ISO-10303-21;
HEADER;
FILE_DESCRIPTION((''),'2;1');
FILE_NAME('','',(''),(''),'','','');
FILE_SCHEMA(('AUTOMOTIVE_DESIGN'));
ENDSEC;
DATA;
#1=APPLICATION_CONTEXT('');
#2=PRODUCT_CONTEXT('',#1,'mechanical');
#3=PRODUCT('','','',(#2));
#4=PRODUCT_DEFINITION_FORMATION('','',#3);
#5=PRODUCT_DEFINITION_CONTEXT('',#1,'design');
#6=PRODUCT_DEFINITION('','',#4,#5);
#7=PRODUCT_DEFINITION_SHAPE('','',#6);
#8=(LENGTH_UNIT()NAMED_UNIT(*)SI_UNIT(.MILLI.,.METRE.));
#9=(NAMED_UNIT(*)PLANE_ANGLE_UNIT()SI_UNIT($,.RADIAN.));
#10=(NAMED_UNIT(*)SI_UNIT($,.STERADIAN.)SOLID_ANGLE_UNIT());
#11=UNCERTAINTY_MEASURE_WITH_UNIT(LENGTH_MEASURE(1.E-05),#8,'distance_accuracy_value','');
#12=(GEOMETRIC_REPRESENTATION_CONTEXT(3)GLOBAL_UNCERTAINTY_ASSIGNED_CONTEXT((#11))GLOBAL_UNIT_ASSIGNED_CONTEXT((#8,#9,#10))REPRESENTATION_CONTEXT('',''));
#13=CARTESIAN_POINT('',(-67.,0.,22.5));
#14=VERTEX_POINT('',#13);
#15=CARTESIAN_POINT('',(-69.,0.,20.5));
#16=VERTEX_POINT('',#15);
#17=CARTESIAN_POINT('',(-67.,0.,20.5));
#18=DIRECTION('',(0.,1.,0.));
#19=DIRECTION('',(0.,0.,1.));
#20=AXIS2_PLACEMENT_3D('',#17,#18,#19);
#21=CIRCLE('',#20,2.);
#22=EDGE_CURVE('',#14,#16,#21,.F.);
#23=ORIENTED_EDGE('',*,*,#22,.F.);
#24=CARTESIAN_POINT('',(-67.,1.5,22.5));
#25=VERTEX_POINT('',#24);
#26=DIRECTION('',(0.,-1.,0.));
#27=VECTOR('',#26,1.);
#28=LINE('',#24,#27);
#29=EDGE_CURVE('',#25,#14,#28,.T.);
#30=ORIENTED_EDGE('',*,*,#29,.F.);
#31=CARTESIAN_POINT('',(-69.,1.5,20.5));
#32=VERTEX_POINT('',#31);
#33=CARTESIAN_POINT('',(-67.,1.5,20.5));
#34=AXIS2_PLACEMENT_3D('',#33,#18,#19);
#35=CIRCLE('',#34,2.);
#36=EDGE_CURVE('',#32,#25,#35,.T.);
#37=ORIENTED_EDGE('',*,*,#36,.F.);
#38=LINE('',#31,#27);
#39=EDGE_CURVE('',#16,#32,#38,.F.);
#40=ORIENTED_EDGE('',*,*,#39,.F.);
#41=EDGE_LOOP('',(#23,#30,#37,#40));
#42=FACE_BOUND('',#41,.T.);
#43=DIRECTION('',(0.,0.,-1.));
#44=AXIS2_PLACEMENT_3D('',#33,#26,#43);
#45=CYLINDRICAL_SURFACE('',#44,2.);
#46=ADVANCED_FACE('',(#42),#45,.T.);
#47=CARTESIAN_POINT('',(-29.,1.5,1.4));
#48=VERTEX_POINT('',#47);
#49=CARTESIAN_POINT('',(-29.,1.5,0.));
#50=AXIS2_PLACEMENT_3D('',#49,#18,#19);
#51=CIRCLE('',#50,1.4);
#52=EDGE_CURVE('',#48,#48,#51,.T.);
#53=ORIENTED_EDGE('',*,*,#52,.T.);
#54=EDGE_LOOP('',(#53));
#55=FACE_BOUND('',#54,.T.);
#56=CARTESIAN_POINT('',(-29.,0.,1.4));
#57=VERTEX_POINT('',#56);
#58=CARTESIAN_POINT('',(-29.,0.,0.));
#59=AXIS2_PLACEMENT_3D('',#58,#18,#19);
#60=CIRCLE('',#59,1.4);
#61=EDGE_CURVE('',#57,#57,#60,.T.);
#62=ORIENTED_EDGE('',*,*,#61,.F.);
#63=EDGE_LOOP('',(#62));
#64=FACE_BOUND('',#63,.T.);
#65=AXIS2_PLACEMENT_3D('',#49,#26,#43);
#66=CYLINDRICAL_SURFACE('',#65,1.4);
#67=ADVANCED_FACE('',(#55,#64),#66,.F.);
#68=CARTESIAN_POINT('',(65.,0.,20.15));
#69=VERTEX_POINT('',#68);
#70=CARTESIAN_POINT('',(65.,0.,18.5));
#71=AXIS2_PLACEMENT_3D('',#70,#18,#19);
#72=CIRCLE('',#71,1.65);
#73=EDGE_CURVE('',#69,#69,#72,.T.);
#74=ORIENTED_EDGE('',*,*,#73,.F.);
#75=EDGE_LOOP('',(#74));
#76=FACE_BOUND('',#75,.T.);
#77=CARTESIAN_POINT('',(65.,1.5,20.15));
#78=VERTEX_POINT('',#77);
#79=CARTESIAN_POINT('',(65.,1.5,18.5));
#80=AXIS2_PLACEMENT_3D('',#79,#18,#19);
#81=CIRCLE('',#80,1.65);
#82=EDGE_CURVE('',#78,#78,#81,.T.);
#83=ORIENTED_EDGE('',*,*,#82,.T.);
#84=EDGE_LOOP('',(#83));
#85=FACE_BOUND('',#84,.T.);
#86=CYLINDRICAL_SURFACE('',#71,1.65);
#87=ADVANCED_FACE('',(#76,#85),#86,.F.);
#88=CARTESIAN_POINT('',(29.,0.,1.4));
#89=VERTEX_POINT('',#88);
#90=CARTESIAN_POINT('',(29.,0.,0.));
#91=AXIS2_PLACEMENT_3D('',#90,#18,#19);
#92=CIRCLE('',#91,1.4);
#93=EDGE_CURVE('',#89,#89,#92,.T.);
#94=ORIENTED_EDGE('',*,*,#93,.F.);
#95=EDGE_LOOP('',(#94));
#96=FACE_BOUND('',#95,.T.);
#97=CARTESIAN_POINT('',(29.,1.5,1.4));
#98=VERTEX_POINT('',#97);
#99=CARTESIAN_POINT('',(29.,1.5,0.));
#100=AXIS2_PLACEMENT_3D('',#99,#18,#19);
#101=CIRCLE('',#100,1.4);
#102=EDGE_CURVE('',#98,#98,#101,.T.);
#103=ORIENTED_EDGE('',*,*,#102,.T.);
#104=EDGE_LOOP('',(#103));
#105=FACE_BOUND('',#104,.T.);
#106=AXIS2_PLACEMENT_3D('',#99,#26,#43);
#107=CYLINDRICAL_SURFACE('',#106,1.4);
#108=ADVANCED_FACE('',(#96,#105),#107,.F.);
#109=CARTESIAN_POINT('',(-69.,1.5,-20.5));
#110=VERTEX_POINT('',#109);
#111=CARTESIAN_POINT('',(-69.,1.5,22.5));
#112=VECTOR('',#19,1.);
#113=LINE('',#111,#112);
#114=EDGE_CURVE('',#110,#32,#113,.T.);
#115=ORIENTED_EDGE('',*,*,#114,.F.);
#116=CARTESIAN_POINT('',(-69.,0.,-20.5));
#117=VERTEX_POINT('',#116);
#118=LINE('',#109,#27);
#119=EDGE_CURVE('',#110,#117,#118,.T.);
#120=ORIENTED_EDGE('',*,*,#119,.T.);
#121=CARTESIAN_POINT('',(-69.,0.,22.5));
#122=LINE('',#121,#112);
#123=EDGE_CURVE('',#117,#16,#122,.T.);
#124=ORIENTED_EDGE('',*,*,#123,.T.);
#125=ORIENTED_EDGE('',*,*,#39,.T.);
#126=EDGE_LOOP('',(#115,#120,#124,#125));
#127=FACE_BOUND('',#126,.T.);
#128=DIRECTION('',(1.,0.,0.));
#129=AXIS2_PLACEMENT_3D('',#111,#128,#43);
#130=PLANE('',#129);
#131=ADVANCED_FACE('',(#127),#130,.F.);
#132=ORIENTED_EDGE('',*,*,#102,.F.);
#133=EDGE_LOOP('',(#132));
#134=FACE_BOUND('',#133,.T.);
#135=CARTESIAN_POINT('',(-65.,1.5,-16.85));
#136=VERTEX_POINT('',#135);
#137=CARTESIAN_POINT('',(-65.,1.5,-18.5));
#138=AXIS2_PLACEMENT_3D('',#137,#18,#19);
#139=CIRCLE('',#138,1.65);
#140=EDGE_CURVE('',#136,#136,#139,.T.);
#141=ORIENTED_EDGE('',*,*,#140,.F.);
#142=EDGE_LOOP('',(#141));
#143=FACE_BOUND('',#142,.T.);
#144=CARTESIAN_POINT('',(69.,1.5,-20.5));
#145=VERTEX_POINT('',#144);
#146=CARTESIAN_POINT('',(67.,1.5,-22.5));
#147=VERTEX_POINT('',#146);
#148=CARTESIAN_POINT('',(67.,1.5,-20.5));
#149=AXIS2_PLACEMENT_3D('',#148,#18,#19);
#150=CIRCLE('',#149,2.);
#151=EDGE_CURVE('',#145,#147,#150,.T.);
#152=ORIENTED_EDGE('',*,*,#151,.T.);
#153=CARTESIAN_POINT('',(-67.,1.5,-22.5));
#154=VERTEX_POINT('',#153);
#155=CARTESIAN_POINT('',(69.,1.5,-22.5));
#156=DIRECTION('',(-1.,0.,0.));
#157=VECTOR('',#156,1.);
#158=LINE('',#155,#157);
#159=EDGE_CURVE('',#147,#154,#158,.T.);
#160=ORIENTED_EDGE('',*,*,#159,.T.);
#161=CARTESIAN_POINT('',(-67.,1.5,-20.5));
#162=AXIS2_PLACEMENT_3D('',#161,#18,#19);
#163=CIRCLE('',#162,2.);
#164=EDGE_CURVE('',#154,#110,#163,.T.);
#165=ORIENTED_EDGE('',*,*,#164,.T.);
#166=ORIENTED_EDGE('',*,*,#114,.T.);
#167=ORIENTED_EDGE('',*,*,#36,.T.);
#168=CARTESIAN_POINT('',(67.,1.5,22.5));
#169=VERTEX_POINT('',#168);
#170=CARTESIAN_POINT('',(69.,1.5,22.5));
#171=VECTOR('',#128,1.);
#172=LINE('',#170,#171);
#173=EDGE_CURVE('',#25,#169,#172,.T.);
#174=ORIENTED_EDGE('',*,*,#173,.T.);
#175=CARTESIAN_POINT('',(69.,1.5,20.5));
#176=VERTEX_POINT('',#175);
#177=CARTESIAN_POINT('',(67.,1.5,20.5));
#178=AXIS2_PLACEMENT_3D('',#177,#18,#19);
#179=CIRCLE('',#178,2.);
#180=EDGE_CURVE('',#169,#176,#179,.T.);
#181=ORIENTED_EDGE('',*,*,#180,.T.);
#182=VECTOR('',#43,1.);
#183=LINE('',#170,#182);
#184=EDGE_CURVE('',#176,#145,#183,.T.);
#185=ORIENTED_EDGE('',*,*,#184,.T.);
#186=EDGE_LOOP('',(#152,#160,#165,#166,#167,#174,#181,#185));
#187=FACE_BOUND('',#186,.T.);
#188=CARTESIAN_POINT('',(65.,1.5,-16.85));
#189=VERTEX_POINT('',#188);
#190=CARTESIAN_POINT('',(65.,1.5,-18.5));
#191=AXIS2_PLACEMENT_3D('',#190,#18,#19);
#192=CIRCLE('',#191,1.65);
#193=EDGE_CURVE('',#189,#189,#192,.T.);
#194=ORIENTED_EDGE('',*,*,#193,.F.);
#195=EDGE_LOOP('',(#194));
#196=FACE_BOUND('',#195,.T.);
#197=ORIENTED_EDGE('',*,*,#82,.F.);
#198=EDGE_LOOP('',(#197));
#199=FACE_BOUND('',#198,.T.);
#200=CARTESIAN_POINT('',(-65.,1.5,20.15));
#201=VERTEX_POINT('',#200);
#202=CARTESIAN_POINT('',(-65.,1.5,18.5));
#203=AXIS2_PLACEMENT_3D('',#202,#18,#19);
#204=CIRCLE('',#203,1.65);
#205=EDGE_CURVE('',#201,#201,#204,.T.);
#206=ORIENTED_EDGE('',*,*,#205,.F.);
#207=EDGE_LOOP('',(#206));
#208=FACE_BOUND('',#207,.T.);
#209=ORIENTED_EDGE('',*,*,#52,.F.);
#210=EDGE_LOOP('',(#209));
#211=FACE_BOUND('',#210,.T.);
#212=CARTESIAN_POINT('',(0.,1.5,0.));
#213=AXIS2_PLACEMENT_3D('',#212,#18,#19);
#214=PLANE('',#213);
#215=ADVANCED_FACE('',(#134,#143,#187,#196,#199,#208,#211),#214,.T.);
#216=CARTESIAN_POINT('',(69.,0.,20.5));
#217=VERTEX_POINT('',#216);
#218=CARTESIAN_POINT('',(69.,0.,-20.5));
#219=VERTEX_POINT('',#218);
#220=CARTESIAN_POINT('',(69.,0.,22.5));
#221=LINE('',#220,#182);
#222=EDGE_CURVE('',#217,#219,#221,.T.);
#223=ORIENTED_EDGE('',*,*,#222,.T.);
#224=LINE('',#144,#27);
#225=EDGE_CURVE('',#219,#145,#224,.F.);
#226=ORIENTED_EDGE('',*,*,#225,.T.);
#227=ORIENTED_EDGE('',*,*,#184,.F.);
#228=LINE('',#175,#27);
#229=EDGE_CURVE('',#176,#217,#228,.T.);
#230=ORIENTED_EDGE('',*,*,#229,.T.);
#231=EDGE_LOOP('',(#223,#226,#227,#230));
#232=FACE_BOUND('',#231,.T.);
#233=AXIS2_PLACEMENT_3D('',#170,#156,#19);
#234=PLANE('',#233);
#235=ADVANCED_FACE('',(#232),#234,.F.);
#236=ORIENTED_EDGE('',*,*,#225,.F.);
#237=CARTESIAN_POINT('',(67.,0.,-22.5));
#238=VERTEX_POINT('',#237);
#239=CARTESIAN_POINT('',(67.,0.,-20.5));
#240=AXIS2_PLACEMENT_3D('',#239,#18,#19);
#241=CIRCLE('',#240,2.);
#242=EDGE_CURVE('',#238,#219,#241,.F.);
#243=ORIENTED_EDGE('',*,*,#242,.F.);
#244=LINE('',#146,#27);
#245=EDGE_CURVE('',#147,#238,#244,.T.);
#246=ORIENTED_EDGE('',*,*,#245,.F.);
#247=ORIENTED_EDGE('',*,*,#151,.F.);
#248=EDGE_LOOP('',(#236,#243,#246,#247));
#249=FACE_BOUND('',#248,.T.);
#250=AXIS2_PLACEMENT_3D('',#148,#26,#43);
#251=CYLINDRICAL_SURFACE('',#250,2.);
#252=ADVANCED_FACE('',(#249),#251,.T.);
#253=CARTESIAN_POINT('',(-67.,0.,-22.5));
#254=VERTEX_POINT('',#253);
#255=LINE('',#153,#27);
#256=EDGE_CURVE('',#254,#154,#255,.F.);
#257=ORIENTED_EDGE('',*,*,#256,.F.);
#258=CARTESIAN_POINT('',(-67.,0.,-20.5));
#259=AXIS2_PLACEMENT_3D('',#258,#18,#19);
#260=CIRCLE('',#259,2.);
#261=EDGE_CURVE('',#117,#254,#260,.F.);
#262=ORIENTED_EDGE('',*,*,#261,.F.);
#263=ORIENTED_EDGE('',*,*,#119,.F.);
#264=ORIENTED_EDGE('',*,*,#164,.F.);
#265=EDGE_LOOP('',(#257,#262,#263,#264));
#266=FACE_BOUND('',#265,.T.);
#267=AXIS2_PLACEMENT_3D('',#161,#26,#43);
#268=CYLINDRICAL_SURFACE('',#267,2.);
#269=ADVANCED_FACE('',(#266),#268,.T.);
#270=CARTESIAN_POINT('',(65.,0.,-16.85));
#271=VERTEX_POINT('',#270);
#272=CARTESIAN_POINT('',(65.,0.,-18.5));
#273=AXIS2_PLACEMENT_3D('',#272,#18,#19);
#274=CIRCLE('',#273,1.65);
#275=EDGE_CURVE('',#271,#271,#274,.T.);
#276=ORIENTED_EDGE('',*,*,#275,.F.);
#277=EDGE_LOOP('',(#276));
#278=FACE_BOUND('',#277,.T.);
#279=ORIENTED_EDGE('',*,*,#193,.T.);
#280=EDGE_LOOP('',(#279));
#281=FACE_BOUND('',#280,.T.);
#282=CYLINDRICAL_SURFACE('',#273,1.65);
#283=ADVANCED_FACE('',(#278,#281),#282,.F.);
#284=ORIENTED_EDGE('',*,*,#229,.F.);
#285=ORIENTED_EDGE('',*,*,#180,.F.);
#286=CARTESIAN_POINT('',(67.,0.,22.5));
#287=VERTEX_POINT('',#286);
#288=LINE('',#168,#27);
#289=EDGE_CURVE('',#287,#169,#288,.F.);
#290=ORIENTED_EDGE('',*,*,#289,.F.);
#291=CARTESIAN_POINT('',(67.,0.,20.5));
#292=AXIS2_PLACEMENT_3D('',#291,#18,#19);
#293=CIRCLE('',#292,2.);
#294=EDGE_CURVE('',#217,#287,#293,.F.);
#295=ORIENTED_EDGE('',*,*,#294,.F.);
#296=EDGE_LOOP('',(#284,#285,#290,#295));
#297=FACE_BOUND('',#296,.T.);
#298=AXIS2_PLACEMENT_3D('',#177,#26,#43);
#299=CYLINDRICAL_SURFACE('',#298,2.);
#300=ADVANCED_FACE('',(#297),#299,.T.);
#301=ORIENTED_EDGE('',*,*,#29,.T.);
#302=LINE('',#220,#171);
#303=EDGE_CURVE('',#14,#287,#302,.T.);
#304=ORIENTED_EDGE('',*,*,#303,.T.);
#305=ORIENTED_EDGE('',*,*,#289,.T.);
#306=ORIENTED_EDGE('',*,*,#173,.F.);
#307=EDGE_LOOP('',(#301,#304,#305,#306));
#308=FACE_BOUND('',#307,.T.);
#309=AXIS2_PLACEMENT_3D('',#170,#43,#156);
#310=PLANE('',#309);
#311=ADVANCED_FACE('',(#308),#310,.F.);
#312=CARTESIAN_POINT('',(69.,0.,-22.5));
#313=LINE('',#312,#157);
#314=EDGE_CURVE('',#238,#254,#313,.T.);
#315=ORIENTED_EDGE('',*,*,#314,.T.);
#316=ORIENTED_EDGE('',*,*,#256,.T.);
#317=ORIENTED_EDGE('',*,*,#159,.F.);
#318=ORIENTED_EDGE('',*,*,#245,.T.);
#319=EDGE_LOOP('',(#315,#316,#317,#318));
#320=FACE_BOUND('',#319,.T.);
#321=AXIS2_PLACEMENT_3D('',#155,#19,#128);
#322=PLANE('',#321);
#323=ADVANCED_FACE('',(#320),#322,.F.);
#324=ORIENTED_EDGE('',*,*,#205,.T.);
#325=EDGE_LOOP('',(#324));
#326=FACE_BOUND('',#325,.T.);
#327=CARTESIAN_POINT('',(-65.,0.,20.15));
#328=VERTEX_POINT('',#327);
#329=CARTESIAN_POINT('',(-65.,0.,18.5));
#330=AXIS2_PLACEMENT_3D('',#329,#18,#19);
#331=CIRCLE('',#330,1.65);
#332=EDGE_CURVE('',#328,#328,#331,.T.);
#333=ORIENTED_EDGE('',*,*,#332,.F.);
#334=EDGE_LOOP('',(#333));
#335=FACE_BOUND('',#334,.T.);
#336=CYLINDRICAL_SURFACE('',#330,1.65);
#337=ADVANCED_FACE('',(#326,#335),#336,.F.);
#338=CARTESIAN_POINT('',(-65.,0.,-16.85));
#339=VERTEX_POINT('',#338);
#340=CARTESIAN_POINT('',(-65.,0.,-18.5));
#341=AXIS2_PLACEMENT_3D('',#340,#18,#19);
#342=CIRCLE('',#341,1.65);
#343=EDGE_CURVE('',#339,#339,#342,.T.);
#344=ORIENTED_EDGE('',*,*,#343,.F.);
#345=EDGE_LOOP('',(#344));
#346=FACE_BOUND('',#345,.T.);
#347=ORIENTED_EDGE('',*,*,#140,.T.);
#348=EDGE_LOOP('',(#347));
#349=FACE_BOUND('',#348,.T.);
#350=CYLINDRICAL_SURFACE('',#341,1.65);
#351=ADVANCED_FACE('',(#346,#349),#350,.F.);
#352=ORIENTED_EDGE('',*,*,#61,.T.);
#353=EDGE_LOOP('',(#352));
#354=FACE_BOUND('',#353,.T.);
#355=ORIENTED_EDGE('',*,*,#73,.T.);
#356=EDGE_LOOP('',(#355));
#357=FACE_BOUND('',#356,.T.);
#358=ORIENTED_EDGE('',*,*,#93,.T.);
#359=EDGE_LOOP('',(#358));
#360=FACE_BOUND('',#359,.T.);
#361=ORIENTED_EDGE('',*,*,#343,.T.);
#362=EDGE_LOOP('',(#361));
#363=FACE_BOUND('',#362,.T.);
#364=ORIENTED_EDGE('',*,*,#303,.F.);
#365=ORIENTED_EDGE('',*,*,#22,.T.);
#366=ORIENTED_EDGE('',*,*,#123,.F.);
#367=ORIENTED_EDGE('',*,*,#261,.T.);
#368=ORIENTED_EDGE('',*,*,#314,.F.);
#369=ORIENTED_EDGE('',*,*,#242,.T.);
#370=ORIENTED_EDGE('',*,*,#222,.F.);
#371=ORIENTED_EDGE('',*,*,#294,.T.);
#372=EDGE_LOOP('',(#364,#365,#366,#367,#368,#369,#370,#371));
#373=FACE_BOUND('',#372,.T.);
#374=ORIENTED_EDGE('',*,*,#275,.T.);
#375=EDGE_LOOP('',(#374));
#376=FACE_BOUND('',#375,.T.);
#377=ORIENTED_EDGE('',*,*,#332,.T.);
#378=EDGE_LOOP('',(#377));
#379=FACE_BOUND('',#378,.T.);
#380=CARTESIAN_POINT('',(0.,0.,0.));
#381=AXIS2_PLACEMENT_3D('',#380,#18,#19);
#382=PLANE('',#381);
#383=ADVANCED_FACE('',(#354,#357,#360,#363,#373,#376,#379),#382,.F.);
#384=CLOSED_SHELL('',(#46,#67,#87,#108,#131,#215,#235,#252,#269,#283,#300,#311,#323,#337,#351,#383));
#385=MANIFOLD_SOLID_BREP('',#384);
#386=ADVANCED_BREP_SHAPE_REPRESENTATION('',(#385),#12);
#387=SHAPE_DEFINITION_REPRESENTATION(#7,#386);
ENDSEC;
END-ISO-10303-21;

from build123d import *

# Parameters (mm, degrees)
SKETCH1_W           = 138
SKETCH1_H           = 45
SKETCH1_R           = 1.4
BOSS_EXTRUDE1_DEPTH = 1.5
SKETCH2_R           = 1.65
CUT_EXTRUDE1_DEPTH  = 73.591321795
FILLET1_R           = 2


with BuildPart() as part:
    # Sketch1 → Boss-Extrude1 (new body)
    with BuildSketch(Plane(origin=(0, 0, 0), x_dir=(1, 0, 0), z_dir=(0, 1, 0))):
        Rectangle(SKETCH1_W, SKETCH1_H)
        with Locations(Location((-29, 0, 0), (0, 0, 270))):
            Circle(SKETCH1_R, mode=Mode.SUBTRACT)
        with Locations(Location((29, 0, 0), (0, 0, 270))):
            Circle(SKETCH1_R, mode=Mode.SUBTRACT)
    extrude(amount=BOSS_EXTRUDE1_DEPTH)

    # Sketch2 → Cut-Extrude1 (cut, through all)
    with BuildSketch(Plane(origin=(0, 1.5, 0), x_dir=(1, 0, 0), z_dir=(0, 1, 0))):
        with Locations(Location((-65, 18.5, 0), (0, 0, 270))):
            Circle(SKETCH2_R)
        with Locations(Location((-65, -18.5, 0), (0, 0, 270))):
            Circle(SKETCH2_R)
        with Locations(Location((65, 18.5, 0), (0, 0, 270))):
            Circle(SKETCH2_R)
        with Locations(Location((65, -18.5, 0), (0, 0, 270))):
            Circle(SKETCH2_R)
    extrude(amount=-CUT_EXTRUDE1_DEPTH, mode=Mode.SUBTRACT)

    # Fillet1
    fillet1_edges = [part.edges().sort_by_distance(p)[0] for p in [
        (-69, 0.75, -22.5),
        (69, 0.75, -22.5),
        (69, 0.75, 22.5),
        (-69, 0.75, 22.5),
    ]]
    fillet(fillet1_edges, radius=FILLET1_R)


solid = part.part
